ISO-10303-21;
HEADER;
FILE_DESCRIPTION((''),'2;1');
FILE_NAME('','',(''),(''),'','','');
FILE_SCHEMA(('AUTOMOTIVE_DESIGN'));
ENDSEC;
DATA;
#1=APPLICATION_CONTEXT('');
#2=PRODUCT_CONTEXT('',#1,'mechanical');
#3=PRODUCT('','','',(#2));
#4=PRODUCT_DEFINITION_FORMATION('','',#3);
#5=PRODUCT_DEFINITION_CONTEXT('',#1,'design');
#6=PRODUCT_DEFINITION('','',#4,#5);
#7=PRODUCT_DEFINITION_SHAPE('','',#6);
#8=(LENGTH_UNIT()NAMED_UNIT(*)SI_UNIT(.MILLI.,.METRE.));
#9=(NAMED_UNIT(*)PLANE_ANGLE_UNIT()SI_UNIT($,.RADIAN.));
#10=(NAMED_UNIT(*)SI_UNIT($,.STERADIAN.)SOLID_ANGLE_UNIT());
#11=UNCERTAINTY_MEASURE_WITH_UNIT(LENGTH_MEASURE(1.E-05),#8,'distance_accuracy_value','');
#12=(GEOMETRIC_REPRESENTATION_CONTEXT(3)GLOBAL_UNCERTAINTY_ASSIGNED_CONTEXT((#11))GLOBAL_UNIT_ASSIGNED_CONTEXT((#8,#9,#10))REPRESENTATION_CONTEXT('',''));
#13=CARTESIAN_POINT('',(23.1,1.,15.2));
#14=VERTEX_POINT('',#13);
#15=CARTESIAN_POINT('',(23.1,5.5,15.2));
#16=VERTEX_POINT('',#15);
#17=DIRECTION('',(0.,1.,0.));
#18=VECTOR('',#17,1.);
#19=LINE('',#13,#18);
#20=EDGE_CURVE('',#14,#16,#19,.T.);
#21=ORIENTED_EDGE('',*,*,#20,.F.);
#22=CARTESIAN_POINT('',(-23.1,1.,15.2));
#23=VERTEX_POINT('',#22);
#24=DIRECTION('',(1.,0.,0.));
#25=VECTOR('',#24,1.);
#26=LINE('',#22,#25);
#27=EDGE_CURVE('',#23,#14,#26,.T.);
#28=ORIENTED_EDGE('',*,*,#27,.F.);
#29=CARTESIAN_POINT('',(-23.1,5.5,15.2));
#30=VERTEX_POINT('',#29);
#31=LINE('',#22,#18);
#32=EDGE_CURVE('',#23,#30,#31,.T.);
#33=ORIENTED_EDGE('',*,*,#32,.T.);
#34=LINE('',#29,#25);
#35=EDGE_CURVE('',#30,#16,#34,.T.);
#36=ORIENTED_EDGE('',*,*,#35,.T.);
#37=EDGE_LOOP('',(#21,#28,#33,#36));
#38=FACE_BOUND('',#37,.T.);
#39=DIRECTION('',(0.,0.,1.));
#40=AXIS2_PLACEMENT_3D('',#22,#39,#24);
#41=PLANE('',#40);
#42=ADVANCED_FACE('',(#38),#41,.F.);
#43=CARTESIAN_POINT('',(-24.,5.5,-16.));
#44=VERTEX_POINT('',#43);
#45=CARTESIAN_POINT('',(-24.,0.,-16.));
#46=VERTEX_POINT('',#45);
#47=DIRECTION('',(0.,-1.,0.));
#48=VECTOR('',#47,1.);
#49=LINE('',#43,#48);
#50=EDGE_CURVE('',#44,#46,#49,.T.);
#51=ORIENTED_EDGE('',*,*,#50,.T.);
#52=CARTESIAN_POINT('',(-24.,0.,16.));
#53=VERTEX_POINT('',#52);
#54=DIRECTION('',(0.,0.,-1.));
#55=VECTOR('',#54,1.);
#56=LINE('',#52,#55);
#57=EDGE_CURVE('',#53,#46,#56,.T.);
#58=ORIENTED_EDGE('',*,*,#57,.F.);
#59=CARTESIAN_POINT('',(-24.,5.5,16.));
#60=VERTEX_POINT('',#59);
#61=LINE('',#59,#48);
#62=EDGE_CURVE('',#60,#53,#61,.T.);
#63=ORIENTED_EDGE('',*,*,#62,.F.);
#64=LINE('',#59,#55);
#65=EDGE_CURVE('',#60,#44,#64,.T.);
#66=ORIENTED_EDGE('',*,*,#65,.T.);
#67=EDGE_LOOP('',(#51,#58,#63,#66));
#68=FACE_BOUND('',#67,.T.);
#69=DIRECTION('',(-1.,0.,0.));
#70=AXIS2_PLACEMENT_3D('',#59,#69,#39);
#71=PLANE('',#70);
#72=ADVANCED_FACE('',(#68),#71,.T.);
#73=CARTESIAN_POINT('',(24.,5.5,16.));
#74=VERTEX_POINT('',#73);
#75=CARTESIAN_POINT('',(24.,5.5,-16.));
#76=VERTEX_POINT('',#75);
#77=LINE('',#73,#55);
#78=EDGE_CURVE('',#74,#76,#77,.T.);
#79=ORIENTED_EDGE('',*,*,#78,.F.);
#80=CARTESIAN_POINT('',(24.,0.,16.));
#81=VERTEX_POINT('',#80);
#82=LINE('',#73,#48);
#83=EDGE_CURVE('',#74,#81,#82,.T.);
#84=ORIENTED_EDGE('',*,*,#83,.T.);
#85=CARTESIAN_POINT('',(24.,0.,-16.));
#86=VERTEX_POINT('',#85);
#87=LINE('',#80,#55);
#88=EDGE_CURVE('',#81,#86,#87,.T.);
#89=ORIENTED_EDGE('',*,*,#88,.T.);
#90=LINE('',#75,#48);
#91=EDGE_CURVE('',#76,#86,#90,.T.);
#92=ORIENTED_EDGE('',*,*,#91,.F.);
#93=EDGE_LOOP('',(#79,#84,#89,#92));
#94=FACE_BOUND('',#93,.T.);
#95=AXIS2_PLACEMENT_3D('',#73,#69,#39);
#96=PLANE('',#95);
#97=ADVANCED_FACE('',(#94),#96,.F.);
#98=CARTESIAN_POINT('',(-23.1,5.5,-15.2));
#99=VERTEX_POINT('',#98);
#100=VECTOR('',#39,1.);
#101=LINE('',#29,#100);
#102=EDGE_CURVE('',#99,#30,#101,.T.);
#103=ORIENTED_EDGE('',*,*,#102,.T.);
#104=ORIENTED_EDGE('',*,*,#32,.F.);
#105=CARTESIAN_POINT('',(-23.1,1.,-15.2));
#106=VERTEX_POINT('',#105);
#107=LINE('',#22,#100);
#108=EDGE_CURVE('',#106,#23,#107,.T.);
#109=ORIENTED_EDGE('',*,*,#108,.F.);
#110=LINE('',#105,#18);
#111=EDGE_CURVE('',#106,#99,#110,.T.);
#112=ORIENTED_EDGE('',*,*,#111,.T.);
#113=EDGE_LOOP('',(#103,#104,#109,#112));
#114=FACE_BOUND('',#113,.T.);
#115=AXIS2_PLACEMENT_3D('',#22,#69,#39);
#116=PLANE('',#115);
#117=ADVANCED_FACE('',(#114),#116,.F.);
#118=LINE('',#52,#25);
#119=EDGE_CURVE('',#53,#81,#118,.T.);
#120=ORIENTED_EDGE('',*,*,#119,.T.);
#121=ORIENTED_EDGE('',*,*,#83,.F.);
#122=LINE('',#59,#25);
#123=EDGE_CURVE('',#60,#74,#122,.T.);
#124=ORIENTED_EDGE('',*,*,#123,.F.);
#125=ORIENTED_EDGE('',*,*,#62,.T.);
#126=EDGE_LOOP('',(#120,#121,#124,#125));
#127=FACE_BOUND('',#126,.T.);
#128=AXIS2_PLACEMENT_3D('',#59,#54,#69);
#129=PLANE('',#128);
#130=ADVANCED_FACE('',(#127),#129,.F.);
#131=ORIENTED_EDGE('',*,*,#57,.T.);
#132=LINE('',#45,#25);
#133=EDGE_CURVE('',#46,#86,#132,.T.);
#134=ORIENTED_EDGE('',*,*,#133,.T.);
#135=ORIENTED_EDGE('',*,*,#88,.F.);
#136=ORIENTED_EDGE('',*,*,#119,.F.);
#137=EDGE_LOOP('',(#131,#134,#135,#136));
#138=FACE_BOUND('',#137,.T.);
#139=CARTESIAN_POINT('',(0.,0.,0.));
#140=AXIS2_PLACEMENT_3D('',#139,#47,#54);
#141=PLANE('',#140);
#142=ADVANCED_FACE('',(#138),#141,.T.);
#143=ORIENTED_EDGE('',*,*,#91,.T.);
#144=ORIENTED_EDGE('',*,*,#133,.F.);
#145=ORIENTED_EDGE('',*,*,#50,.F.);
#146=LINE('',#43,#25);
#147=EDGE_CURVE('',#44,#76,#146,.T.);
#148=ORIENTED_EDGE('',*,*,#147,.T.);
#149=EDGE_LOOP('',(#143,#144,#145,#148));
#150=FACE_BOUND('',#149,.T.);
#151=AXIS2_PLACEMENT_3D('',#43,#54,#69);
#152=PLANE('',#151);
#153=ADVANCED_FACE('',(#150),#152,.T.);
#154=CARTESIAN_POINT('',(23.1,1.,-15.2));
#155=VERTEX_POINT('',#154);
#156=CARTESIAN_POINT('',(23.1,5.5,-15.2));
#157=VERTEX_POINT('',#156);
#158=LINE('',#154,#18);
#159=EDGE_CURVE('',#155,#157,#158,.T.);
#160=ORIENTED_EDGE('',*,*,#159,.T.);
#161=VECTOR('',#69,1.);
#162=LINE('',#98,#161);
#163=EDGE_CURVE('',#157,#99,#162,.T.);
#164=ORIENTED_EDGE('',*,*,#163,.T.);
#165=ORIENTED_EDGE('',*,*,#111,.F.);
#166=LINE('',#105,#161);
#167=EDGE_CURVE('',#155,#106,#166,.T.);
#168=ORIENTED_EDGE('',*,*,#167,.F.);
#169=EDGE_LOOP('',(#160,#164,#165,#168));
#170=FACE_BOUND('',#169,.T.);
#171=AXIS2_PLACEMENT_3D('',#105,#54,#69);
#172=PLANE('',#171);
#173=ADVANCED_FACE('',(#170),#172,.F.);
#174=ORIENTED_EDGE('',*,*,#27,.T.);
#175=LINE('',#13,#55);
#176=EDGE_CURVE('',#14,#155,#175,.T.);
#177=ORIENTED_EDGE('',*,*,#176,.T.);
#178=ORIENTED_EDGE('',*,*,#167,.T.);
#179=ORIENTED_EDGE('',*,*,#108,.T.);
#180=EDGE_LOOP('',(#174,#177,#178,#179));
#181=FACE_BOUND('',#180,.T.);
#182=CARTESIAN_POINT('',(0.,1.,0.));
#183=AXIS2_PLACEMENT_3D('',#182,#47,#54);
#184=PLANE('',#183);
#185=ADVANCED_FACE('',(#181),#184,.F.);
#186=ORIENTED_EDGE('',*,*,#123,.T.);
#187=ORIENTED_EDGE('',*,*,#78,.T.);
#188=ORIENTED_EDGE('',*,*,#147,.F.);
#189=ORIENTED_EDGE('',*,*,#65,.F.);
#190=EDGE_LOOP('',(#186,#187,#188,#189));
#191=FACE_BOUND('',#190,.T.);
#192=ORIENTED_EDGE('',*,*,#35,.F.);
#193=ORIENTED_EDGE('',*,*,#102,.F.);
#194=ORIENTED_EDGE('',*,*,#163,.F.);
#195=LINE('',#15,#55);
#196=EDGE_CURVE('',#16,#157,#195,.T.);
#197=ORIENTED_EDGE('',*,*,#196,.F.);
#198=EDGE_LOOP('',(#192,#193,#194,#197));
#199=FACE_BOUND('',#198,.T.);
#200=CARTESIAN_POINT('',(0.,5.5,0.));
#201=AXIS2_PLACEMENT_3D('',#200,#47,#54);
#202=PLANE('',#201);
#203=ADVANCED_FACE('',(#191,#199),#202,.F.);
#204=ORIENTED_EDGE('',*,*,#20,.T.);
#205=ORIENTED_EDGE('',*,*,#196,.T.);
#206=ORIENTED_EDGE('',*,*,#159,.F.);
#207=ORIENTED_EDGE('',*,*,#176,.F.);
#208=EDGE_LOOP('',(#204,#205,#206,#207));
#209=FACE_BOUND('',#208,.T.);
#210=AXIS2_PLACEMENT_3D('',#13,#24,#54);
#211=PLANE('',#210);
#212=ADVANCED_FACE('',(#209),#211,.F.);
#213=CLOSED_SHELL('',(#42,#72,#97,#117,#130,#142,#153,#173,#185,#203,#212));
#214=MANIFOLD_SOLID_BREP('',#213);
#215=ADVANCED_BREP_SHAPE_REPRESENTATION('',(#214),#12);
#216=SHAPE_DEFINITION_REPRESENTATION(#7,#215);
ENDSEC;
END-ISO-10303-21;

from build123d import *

# Parameters (mm, degrees)
ESQUISSE1_W             = 48
ESQUISSE1_H             = 32
BOSS_EXTRU_1_DEPTH      = 5.5
ESQUISSE2_W             = 46.2
ESQUISSE2_H             = 30.4
ENL_V_MAT_EXTRU_1_DEPTH = 4.5


with BuildPart() as part:
    # Esquisse1 → Boss.-Extru.1 (new body)
    with BuildSketch(Plane(origin=(0, 0, 0), x_dir=(1, 0, 0), z_dir=(0, 1, 0))):
        Rectangle(ESQUISSE1_W, ESQUISSE1_H)
    extrude(amount=BOSS_EXTRU_1_DEPTH)

    # Esquisse2 → Enlèv. mat.-Extru.1 (cut)
    with BuildSketch(Plane(origin=(0, 5.5, 0), x_dir=(1, 0, 0), z_dir=(0, 1, 0))):
        Rectangle(ESQUISSE2_W, ESQUISSE2_H)
    extrude(amount=-ENL_V_MAT_EXTRU_1_DEPTH, mode=Mode.SUBTRACT)


solid = part.part
